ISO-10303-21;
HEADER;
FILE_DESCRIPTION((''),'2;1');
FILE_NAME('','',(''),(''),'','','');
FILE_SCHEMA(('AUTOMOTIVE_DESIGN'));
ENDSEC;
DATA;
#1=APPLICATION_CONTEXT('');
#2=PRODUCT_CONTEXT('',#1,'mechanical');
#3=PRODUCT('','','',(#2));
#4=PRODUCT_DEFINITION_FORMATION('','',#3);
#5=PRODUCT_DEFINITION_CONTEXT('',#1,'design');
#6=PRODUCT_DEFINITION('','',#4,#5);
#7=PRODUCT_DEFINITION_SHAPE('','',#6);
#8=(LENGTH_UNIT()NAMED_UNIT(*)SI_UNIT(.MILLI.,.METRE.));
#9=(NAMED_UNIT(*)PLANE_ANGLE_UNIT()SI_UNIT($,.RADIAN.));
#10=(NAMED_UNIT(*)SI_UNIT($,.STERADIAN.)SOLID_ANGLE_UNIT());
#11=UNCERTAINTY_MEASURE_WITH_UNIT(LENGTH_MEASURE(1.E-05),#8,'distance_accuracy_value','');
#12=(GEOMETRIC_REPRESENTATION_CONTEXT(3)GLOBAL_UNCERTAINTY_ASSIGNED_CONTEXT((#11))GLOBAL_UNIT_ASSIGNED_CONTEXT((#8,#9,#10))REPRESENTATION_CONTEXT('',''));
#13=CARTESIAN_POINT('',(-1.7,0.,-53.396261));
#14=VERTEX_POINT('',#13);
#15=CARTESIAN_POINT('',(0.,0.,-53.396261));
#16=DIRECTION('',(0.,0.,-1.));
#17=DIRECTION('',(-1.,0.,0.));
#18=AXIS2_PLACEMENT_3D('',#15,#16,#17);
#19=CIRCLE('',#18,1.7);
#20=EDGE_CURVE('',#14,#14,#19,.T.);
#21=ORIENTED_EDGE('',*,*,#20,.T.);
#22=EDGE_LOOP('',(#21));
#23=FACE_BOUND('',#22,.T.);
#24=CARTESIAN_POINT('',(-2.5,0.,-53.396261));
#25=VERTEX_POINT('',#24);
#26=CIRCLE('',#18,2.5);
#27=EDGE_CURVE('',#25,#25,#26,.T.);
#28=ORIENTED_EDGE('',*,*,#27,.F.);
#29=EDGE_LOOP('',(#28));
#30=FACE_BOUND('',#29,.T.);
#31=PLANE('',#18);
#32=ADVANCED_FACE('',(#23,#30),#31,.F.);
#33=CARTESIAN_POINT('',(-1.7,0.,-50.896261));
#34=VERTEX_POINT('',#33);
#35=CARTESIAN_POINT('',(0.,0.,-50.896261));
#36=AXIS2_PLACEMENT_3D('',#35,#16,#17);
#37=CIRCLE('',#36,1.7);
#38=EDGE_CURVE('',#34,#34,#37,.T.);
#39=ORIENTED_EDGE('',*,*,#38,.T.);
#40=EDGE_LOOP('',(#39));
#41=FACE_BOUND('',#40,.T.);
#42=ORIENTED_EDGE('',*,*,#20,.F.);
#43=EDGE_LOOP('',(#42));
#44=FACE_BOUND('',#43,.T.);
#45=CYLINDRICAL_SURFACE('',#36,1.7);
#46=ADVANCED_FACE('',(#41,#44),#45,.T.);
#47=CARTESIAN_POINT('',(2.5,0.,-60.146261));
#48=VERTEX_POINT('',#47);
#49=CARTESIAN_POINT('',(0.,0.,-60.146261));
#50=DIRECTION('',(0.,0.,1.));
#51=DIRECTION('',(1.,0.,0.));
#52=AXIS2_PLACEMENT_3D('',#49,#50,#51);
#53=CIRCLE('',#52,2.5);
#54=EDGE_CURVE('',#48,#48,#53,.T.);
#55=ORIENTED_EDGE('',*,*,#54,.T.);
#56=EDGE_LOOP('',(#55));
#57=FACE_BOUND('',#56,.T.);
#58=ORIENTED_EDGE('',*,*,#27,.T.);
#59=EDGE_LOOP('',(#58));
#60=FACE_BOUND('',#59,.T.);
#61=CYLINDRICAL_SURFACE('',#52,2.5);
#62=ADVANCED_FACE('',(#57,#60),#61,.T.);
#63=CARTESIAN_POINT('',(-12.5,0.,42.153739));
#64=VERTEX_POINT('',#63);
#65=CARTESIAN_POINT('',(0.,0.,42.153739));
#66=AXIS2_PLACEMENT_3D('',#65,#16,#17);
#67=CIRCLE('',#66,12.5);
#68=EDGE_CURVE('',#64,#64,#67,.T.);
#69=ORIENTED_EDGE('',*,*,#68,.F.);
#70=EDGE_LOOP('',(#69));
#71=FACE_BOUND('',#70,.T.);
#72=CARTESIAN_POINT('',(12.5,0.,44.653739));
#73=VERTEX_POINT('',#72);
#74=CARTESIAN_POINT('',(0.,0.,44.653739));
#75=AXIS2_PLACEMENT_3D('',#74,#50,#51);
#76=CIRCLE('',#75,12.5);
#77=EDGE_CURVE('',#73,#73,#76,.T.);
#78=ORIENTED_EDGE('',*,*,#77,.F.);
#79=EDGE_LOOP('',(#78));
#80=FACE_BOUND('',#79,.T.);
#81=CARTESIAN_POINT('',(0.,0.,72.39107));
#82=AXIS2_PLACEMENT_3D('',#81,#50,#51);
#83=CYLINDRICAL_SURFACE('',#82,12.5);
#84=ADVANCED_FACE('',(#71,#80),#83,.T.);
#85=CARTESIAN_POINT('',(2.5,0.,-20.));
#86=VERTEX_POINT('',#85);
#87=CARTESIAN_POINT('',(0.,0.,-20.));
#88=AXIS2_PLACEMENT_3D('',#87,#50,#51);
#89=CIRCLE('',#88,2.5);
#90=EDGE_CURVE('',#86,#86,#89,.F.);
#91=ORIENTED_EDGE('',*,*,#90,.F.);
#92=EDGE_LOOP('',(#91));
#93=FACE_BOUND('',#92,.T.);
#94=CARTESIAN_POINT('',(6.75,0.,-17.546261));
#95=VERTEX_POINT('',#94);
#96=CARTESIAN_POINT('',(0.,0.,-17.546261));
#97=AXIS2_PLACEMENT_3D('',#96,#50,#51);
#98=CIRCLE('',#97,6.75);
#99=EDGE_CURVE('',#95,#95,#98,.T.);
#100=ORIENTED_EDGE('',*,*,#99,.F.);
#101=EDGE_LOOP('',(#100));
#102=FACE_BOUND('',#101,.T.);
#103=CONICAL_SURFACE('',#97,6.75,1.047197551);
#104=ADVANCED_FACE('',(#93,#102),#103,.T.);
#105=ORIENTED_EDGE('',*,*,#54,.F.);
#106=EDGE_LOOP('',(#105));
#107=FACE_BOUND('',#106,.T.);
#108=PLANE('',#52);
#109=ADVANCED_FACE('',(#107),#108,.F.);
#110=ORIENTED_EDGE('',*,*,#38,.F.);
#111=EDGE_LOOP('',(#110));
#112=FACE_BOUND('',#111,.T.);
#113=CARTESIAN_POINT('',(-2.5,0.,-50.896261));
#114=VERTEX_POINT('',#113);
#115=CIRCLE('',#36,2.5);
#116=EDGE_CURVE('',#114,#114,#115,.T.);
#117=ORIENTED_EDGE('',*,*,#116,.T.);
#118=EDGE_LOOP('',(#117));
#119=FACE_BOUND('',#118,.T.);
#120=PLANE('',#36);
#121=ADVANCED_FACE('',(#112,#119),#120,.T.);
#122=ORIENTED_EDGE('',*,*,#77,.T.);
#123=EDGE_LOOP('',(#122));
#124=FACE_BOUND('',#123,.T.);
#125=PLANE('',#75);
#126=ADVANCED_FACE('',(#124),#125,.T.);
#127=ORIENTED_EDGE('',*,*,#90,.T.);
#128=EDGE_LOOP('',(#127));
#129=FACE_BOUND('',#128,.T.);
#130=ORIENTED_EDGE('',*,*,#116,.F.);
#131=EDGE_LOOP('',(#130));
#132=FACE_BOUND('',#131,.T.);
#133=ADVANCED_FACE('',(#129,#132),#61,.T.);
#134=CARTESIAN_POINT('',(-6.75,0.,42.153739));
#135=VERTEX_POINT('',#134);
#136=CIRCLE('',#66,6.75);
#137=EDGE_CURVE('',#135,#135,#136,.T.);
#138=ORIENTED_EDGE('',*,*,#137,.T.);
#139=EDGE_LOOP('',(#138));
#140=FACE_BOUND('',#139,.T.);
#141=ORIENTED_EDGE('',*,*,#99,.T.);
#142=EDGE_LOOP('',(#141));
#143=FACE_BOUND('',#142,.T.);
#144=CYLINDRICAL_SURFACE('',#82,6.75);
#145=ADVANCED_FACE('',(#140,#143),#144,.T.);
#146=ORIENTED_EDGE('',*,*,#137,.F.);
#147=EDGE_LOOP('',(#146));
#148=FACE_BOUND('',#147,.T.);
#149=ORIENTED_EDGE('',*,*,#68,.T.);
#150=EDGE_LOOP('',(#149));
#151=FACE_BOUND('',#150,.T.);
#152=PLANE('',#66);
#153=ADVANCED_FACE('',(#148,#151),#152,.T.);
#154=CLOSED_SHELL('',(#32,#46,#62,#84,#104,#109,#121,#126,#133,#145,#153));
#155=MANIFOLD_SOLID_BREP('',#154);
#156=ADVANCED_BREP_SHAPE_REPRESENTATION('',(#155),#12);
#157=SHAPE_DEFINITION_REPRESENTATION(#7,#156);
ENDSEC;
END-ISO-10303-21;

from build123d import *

# Parameters (mm, degrees)
ESBO_O2_R                = 12.5
ESBO_O2_R_2              = 6.75
CORTE_EXTRUS_O1_DEPTH    = 1.5
ESBO_O3_R                = 2.5
RESSALTO_EXTRUS_O1_DEPTH = 104.8
CORTE_EXTRUS_O2_START    = -2.5
ESBO_O4_R                = 2.5
ESBO_O4_R_2              = 1.7
CORTE_EXTRUS_O2_DEPTH    = 2.5


with BuildPart() as part:
    # Esboço1 → Revolução1 (revolve)
    with BuildSketch(Plane(origin=(0, 0, 0), x_dir=(0, 0, -1), z_dir=(1, 0, 0)), mode=Mode.PRIVATE) as revolu_o1_sk:
        Polygon((-44.653738644, 0), (-44.653738644, -12.5), (-40.653738644, -12.5), (-40.653738644, -6.75), (17.546261356, -6.75), (20, -2.5), (0, -2.5), (0, 0), align=None)
    revolve(revolu_o1_sk.sketch.rotate(Axis((0, 0, 72.391069924), (0, 0, -1)), 270), axis=Axis((0, 0, 72.391069924), (0, 0, -1)))

    # Esboço2 → Corte-extrusão1 (cut)
    with BuildSketch(Plane(origin=(0, 0, 40.653738644), x_dir=(-1, 0, 0), z_dir=(0, 0, -1))):
        with Locations(Location((0, 0, 0), (0, 0, 180))):
            Circle(ESBO_O2_R)
        with Locations(Location((0, 0, 0), (0, 0, 180))):
            Circle(ESBO_O2_R_2, mode=Mode.SUBTRACT)
    extrude(amount=-CORTE_EXTRUS_O1_DEPTH, mode=Mode.SUBTRACT)

    # Esboço3 → Ressalto-extrusão1 (add)
    with BuildSketch(Plane.XY.offset(44.653738644)):
        Circle(ESBO_O3_R)
    extrude(amount=-RESSALTO_EXTRUS_O1_DEPTH)

    # Esboço4 → Corte-extrusão2 (cut)
    with BuildSketch(Plane(origin=(0, 0, -53.396261356), x_dir=(-1, 0, 0), z_dir=(0, 0, -1)).offset(CORTE_EXTRUS_O2_START)):
        with Locations(Location((0, 0, 0), (0, 0, 180))):
            Circle(ESBO_O4_R)
        Circle(ESBO_O4_R_2, mode=Mode.SUBTRACT)
    extrude(amount=CORTE_EXTRUS_O2_DEPTH, mode=Mode.SUBTRACT)


solid = part.part
